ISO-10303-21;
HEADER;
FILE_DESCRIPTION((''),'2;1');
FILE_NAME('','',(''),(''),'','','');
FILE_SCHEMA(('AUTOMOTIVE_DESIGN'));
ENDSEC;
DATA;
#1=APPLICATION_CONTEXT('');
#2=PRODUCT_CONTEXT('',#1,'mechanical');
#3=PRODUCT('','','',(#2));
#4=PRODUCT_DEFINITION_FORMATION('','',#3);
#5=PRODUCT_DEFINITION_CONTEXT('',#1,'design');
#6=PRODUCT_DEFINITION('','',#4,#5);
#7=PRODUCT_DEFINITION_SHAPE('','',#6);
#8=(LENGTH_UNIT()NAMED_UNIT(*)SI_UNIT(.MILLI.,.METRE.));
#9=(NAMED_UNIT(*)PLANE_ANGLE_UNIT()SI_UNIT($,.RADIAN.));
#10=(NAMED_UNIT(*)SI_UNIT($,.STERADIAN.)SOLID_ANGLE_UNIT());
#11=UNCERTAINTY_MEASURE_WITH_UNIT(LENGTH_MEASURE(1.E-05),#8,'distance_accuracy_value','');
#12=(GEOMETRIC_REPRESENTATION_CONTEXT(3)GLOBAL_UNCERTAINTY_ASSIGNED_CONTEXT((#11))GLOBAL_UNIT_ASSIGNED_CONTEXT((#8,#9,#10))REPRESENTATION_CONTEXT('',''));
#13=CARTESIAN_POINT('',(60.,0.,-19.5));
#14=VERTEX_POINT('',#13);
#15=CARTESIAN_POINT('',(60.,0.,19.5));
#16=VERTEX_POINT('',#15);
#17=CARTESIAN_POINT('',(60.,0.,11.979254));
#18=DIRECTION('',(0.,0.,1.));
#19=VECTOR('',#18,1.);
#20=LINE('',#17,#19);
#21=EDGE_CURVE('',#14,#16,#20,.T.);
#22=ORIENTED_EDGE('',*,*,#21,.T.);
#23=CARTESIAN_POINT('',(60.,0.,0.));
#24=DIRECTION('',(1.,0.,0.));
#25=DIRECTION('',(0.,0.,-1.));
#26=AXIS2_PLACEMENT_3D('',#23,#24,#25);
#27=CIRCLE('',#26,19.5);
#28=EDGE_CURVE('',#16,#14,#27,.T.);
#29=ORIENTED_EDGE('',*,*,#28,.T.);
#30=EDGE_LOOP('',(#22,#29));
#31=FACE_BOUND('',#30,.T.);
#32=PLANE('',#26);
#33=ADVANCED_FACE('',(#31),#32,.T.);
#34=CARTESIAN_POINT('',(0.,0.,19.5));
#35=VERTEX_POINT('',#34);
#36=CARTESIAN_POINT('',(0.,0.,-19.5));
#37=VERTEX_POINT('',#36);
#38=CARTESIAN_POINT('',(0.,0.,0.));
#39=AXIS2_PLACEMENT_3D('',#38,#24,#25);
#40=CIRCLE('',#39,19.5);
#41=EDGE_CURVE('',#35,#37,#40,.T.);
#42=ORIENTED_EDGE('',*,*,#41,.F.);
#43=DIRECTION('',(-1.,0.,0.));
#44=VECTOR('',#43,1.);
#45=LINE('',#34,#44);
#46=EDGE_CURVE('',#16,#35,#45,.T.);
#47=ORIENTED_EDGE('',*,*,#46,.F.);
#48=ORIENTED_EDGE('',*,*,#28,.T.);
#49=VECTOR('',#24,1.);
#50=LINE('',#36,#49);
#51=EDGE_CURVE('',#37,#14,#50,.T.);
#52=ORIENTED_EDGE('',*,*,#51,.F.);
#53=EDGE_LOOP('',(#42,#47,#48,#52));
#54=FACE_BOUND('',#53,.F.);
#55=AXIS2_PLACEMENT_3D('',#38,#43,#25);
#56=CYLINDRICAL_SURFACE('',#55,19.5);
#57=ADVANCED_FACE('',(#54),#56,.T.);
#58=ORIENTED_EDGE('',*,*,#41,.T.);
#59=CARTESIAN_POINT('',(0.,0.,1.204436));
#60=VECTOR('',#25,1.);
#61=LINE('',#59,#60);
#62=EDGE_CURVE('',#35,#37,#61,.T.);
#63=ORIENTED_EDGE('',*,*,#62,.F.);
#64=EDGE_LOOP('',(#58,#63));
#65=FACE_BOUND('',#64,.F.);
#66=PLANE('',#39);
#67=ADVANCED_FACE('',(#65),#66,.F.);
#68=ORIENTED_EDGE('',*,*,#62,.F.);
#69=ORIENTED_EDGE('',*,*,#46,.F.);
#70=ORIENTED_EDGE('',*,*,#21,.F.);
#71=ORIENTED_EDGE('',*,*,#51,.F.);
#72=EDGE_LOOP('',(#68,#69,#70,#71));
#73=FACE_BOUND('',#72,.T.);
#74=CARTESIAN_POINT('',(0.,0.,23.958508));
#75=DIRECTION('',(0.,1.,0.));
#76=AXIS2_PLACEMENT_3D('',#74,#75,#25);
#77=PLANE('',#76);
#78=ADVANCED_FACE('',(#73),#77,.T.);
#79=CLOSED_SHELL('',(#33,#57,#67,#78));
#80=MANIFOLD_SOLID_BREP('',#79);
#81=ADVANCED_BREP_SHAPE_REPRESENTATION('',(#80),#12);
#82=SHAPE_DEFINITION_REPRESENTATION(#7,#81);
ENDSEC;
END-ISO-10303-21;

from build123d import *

# Parameters (mm, degrees)
SKETCH1_R           = 19.5
BOSS_EXTRUDE1_DEPTH = 60
SKETCH2_W           = 45.508143675
SKETCH2_H           = 21.045075026
CUT_EXTRUDE1_DEPTH  = 75


with BuildPart() as part:
    # Sketch1 → Boss-Extrude1 (new body)
    with BuildSketch(Plane(origin=(0, 0, 0), x_dir=(0, 0, -1), z_dir=(1, 0, 0))):
        Circle(SKETCH1_R)
    extrude(amount=BOSS_EXTRUDE1_DEPTH)

    # Sketch2 → Cut-Extrude1 (cut)
    with BuildSketch(Plane(origin=(0, 0, 0), x_dir=(0, 0, -1), z_dir=(1, 0, 0))):
        with Locations((-1.204435848, 10.522537513)):
            Rectangle(SKETCH2_W, SKETCH2_H)
    extrude(amount=CUT_EXTRUDE1_DEPTH, mode=Mode.SUBTRACT)


solid = part.part
